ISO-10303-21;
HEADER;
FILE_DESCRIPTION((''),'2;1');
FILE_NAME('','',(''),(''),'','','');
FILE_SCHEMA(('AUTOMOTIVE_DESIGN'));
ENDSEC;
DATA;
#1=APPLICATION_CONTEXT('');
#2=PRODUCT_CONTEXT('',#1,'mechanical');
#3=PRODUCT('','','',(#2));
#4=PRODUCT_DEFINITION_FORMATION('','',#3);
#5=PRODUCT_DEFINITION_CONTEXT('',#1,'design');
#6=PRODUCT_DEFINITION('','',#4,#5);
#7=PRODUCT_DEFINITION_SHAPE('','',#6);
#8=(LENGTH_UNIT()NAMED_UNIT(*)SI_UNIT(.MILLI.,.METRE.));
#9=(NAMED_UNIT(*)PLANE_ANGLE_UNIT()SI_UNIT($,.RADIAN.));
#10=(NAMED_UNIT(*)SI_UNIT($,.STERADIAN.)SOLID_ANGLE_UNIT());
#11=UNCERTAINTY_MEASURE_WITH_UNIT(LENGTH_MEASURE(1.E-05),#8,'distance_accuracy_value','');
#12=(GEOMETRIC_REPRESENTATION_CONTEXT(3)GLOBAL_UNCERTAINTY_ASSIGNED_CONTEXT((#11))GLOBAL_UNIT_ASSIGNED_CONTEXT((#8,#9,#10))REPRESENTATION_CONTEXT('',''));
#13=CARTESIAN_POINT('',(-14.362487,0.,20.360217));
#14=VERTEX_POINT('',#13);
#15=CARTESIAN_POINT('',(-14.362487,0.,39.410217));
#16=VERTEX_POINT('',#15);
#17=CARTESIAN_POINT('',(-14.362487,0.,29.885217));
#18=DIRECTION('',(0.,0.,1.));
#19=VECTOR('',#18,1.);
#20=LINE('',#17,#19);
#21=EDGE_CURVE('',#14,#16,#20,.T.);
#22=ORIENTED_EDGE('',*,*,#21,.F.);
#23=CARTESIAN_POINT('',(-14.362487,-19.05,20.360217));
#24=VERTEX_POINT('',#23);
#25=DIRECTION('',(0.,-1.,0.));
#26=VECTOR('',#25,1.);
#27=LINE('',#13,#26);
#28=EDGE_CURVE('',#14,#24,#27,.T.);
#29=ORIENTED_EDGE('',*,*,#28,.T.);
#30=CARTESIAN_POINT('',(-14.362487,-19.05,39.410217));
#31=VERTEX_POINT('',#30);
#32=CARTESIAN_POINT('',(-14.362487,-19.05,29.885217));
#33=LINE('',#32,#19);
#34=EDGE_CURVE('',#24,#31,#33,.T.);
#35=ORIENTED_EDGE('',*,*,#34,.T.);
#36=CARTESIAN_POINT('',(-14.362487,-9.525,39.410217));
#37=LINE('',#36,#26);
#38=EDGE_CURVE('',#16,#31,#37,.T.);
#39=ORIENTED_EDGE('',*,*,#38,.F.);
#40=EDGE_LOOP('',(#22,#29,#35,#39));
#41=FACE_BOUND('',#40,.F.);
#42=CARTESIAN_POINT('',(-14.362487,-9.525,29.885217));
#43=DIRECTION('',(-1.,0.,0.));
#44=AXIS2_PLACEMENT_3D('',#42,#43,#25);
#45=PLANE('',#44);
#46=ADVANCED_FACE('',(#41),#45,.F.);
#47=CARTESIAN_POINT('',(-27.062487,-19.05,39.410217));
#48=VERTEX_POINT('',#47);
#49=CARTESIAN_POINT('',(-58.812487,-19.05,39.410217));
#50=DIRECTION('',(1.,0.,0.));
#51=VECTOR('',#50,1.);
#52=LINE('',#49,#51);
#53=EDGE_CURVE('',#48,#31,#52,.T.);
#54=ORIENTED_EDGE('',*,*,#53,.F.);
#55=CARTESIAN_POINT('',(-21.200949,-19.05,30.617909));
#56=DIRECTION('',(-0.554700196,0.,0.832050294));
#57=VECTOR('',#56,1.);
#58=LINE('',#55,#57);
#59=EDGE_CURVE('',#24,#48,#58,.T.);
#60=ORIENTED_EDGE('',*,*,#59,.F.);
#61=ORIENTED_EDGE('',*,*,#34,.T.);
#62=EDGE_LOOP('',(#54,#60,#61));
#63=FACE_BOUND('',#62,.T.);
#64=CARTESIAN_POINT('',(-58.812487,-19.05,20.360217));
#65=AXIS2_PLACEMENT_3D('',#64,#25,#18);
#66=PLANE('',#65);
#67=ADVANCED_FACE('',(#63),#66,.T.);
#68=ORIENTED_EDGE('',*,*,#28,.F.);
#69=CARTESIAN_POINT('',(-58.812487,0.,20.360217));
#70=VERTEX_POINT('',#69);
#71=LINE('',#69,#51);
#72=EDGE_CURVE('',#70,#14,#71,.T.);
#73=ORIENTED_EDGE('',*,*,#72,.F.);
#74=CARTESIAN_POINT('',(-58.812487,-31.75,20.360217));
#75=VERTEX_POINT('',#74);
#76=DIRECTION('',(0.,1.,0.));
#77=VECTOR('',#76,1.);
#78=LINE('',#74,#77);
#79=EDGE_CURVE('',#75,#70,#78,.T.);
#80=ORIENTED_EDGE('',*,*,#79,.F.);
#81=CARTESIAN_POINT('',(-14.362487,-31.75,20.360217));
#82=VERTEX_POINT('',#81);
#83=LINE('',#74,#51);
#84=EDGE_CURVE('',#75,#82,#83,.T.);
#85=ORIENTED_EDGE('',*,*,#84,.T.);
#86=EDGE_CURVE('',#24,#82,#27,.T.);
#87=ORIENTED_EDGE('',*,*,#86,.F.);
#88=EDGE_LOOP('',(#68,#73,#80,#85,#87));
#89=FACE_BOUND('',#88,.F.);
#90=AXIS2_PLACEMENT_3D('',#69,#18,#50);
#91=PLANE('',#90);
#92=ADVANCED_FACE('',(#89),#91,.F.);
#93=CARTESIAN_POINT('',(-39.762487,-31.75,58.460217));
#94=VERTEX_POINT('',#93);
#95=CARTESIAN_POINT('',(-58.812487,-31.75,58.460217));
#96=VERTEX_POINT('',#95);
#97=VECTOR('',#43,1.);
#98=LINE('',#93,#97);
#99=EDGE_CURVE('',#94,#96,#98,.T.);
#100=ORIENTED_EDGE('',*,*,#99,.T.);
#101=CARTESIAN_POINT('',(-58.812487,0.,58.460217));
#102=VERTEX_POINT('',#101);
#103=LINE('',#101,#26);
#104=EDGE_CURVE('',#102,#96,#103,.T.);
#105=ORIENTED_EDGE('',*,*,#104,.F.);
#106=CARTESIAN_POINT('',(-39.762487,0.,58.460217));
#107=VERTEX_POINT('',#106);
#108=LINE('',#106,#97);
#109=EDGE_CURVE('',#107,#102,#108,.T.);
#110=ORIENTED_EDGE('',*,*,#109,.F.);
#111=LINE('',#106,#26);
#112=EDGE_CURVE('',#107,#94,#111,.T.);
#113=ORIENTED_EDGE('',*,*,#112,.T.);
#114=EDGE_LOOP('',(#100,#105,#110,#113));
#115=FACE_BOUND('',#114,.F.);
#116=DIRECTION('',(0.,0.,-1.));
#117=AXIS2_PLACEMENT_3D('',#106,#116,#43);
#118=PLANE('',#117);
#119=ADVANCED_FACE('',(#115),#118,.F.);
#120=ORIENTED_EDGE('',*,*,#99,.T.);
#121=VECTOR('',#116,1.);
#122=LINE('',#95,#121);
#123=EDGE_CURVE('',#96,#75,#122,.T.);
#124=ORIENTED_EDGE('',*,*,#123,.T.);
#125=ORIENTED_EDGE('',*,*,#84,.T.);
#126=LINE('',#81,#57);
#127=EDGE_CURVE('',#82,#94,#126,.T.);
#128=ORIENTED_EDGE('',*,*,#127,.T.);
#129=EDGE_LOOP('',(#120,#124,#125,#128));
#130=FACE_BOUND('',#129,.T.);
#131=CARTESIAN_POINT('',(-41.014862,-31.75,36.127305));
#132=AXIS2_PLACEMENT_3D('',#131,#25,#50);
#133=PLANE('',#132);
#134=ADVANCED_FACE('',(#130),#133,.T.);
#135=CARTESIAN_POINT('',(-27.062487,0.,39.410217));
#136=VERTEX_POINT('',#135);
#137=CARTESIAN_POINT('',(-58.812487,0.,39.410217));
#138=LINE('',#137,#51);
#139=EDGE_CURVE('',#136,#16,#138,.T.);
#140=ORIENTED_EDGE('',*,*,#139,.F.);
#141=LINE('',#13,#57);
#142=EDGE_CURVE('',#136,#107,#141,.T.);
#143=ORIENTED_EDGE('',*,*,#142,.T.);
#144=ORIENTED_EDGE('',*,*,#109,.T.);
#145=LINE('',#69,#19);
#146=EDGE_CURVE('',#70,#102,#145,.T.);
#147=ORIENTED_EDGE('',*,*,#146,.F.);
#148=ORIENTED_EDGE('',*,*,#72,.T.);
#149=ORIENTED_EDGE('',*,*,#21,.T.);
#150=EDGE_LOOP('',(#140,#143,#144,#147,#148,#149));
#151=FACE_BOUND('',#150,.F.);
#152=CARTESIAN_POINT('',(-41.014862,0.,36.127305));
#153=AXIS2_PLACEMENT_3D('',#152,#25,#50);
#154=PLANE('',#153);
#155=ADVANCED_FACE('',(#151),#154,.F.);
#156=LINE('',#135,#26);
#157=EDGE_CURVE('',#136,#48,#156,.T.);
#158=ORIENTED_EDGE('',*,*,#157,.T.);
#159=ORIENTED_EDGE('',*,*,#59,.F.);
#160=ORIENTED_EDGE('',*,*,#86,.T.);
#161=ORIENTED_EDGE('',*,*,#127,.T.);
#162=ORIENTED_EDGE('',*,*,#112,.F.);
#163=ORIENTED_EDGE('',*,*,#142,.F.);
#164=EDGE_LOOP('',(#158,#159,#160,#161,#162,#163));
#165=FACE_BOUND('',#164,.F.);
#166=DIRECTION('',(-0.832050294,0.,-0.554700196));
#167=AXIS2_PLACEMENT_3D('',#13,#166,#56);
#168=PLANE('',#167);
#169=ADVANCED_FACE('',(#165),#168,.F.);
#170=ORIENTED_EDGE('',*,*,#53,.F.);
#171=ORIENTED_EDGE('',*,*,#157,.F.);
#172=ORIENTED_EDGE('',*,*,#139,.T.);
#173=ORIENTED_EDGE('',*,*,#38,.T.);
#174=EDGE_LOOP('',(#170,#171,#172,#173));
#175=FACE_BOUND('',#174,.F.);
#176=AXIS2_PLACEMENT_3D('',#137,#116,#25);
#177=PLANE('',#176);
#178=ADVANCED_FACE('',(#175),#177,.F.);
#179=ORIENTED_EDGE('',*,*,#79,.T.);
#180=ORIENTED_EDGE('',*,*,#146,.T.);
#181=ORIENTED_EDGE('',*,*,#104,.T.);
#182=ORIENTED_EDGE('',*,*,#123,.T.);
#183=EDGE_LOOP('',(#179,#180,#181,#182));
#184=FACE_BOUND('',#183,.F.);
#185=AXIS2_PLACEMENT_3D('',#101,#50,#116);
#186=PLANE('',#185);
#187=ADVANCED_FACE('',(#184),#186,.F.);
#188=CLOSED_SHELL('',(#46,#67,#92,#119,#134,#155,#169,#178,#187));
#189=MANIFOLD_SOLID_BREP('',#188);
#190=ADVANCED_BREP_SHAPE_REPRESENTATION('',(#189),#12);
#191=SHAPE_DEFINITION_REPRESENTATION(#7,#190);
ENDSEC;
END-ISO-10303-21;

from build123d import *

# Parameters (mm, degrees)
F1_DEPTH = 31.75
F2_W     = 19.05
F2_H     = 19.05
F3_DEPTH = 44.45


with BuildPart() as f1:
    # F0 (on Front) → F1 (new body)
    with BuildSketch(Plane.XZ):
        Polygon((-39.762487, 58.460217), (-58.812487, 58.460217), (-58.812487, 20.360217), (-14.362487, 20.360217), align=None)
    extrude(amount=F1_DEPTH)

    # F2 (on face) → F3 (join)
    with BuildSketch(Plane(origin=(-58.812487, 0, 0), x_dir=(0, -1, 0), z_dir=(-1, 0, 0))):
        with Locations((9.525, 29.885217)):
            Rectangle(F2_W, F2_H)
    extrude(amount=-F3_DEPTH)


solid = f1.part
